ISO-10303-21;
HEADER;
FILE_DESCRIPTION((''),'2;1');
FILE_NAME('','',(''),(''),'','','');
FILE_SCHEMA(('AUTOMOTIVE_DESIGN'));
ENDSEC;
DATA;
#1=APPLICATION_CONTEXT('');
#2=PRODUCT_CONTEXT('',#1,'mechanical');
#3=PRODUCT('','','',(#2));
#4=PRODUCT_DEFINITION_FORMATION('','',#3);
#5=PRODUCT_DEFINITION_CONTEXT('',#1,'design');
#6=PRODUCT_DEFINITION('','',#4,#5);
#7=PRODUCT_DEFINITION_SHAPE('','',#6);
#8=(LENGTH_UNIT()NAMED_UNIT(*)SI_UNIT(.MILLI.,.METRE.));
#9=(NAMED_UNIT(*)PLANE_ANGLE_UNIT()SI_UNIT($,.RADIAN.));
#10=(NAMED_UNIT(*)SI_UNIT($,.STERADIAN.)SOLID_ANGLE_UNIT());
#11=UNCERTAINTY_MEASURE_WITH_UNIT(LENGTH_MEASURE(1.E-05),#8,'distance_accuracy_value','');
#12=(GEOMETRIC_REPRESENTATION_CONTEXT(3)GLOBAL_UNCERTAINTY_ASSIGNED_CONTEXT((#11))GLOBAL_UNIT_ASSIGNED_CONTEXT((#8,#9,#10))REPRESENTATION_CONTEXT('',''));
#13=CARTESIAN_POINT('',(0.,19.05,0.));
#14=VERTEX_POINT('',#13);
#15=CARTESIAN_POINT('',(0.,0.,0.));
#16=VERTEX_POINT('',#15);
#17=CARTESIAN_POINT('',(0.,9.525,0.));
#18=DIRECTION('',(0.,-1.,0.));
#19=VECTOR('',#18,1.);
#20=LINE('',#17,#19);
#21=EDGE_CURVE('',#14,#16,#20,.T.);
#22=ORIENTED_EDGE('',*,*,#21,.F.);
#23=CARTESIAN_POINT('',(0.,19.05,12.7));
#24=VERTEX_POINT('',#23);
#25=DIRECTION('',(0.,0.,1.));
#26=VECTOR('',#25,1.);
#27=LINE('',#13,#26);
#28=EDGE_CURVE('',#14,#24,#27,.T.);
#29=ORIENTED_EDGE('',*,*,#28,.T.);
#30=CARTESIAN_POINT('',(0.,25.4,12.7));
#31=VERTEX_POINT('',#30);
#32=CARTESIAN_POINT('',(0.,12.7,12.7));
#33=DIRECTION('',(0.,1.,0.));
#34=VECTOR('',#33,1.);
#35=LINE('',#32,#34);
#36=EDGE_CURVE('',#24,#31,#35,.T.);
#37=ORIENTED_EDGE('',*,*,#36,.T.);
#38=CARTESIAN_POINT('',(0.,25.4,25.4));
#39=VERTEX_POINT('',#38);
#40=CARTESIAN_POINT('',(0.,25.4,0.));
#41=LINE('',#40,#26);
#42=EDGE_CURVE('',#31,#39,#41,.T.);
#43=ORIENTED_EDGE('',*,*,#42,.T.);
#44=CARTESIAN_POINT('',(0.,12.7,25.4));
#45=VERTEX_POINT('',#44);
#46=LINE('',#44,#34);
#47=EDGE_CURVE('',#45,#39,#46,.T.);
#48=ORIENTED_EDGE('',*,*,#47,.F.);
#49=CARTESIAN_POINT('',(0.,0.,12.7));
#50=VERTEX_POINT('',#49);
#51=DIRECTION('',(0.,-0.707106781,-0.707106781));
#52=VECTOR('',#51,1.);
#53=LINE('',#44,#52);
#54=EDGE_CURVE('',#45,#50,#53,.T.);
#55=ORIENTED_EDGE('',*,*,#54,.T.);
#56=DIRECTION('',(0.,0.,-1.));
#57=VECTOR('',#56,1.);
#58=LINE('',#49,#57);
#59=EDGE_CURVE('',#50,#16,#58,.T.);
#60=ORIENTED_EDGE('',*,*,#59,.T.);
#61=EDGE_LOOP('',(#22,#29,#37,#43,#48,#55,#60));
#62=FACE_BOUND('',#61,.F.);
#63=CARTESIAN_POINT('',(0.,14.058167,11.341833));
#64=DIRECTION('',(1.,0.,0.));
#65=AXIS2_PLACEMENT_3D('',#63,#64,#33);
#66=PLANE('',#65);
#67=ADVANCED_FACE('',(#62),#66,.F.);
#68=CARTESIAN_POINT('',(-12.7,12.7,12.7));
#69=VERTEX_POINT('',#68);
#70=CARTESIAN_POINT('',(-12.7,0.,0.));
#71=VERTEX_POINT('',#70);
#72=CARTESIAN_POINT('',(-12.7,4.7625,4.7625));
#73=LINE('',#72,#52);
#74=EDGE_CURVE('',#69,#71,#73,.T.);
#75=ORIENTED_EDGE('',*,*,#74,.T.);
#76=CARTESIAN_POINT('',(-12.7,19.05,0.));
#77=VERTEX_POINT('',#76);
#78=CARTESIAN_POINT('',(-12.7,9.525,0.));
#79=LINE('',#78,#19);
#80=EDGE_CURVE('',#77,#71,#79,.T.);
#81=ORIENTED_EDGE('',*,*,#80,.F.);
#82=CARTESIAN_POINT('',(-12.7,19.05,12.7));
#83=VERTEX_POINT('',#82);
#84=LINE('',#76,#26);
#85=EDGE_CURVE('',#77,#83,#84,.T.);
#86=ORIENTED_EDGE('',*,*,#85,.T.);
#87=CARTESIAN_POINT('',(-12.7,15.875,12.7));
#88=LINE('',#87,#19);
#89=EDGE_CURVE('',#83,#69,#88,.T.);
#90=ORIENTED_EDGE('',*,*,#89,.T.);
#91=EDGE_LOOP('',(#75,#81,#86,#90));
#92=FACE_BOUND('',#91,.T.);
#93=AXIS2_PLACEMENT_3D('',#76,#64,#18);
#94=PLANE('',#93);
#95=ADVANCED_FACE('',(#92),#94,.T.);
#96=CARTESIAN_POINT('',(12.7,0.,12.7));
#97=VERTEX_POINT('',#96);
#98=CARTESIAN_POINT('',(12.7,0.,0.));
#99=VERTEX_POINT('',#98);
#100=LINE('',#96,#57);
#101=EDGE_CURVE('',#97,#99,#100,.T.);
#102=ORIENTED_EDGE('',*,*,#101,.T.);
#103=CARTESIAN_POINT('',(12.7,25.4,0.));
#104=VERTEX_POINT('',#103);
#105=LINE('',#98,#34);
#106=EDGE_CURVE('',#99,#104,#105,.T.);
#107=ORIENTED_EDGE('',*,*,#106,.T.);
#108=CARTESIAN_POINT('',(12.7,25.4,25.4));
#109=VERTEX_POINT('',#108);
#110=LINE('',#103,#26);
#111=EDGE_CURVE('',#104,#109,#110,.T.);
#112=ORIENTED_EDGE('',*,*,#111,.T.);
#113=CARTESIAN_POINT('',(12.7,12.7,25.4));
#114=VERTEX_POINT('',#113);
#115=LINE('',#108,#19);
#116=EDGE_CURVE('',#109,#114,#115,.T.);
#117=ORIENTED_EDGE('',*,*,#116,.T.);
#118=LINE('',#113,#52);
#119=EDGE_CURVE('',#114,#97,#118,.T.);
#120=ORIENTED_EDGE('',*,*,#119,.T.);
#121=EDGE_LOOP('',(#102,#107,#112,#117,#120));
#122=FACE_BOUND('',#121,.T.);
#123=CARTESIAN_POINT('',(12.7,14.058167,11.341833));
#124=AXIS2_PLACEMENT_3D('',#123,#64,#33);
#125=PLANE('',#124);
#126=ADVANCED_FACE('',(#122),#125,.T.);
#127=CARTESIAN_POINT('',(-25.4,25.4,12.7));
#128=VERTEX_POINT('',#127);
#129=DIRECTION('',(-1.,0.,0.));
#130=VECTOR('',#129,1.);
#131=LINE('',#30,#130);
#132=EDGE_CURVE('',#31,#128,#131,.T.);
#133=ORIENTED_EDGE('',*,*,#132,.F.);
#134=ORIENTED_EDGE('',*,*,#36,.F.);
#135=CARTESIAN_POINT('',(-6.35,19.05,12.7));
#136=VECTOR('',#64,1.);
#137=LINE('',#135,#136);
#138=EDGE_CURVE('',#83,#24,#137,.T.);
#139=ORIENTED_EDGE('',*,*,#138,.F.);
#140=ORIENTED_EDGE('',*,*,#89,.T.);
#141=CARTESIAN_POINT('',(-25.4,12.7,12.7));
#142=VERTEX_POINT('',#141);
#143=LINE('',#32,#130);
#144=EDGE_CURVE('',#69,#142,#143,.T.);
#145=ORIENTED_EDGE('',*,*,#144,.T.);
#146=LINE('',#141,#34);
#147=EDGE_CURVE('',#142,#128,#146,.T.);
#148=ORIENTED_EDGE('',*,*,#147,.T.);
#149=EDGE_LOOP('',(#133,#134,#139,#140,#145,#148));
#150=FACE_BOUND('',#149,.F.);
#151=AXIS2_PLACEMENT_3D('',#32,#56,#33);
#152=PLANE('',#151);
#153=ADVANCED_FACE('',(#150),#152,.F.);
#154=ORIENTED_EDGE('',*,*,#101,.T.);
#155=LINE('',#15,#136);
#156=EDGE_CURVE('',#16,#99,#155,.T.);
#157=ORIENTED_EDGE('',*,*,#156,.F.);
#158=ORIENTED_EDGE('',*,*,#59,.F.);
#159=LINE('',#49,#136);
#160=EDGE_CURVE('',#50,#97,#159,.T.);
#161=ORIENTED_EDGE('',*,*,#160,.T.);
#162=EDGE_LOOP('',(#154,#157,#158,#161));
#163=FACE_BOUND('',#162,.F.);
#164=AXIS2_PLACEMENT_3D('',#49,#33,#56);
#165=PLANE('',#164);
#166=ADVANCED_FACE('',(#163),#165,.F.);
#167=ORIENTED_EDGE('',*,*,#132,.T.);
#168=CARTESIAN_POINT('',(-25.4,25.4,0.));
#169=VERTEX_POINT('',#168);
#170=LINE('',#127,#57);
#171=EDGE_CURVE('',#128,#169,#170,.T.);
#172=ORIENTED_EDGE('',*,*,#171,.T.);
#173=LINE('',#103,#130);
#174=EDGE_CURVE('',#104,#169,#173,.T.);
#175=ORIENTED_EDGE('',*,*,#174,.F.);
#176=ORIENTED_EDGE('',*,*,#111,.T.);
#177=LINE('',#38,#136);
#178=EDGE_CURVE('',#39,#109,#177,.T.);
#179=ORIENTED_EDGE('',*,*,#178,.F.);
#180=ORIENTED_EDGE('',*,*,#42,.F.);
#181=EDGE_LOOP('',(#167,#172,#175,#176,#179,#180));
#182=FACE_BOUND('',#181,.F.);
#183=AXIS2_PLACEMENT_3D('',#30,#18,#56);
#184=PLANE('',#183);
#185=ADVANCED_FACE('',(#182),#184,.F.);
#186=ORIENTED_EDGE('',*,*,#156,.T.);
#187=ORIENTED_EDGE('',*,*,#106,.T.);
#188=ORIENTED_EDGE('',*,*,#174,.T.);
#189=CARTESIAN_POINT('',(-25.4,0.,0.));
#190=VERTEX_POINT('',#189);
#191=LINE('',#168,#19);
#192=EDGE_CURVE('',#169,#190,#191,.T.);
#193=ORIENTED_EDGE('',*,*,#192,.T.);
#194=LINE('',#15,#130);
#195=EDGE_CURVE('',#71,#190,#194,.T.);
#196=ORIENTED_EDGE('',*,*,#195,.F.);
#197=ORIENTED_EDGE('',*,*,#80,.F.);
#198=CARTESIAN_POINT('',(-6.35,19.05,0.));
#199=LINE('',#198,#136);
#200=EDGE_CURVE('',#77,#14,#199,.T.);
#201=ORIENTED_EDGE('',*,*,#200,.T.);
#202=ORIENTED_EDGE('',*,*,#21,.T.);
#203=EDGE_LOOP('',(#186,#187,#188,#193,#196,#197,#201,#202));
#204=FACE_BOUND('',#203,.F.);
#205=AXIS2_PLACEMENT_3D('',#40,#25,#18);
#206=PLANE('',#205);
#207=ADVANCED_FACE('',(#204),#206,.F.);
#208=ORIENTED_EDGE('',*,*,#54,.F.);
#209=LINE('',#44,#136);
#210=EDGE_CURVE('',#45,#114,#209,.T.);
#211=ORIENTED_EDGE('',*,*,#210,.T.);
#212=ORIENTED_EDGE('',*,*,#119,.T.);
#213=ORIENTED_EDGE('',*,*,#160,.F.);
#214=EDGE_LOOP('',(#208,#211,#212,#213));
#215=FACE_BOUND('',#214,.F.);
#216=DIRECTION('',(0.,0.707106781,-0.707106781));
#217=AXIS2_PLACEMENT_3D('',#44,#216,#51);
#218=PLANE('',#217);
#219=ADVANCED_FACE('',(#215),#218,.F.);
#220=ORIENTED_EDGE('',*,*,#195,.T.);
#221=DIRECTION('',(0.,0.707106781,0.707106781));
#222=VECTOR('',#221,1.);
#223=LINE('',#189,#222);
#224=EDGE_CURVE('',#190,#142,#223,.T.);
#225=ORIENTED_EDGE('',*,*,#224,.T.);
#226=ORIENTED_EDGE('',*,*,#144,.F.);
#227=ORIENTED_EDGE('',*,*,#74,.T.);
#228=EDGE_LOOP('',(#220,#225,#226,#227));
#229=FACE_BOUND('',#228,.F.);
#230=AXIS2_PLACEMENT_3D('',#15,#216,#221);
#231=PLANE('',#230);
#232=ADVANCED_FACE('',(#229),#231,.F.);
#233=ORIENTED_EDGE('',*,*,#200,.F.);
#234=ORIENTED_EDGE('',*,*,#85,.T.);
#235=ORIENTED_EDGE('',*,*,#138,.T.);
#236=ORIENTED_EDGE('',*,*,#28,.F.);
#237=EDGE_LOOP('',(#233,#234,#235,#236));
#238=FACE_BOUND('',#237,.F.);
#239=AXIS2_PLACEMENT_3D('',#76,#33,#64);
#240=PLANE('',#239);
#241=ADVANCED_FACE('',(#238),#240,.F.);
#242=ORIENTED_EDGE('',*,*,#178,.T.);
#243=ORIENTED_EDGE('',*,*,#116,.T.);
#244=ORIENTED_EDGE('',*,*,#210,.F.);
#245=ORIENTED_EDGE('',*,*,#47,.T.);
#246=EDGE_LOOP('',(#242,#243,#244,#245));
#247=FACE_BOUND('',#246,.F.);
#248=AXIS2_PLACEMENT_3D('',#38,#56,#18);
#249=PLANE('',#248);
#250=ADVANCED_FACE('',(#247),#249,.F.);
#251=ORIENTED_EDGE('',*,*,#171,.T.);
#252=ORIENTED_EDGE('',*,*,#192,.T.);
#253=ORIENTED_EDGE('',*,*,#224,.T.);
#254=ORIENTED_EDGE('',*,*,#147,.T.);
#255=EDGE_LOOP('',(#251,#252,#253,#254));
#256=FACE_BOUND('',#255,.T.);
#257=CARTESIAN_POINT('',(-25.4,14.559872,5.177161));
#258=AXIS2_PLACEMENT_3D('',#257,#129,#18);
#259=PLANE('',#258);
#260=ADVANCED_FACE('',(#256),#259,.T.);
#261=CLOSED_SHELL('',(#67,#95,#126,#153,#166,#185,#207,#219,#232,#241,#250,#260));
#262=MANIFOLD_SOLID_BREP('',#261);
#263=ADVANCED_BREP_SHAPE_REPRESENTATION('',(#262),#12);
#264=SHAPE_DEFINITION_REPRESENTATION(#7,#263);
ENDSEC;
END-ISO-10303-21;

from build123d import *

# Parameters (mm, degrees)
F1_DEPTH = 12.7
F3_DEPTH = 25.4
F4_W     = 12.7
F4_H     = 19.05
F5_DEPTH = 25.401


with BuildPart() as f1:
    # F0 (on Right) → F1 (new body)
    with BuildSketch(Plane.YZ):
        Polygon((0, 12.7), (0, 0), (25.4, 0), (25.4, 25.4), (12.7, 25.4), align=None)
    extrude(amount=F1_DEPTH)

    # F2 (on face) → F3 (join)
    with BuildSketch(Plane(origin=(0, 0, 0), x_dir=(0, -1, 0), z_dir=(-1, 0, 0))):
        Polygon((-12.7, 12.7), (-25.4, 12.7), (-25.4, 0), (0, 0), align=None)
    extrude(amount=F3_DEPTH)

    # F4 (on face) → F5 (cut, through all)
    with BuildSketch(Plane(origin=(0, 0, 0), x_dir=(1, 0, 0), z_dir=(0, 0, -1))):
        with Locations((-6.35, -9.525)):
            Rectangle(F4_W, F4_H)
    extrude(amount=-F5_DEPTH, mode=Mode.SUBTRACT)


solid = f1.part
